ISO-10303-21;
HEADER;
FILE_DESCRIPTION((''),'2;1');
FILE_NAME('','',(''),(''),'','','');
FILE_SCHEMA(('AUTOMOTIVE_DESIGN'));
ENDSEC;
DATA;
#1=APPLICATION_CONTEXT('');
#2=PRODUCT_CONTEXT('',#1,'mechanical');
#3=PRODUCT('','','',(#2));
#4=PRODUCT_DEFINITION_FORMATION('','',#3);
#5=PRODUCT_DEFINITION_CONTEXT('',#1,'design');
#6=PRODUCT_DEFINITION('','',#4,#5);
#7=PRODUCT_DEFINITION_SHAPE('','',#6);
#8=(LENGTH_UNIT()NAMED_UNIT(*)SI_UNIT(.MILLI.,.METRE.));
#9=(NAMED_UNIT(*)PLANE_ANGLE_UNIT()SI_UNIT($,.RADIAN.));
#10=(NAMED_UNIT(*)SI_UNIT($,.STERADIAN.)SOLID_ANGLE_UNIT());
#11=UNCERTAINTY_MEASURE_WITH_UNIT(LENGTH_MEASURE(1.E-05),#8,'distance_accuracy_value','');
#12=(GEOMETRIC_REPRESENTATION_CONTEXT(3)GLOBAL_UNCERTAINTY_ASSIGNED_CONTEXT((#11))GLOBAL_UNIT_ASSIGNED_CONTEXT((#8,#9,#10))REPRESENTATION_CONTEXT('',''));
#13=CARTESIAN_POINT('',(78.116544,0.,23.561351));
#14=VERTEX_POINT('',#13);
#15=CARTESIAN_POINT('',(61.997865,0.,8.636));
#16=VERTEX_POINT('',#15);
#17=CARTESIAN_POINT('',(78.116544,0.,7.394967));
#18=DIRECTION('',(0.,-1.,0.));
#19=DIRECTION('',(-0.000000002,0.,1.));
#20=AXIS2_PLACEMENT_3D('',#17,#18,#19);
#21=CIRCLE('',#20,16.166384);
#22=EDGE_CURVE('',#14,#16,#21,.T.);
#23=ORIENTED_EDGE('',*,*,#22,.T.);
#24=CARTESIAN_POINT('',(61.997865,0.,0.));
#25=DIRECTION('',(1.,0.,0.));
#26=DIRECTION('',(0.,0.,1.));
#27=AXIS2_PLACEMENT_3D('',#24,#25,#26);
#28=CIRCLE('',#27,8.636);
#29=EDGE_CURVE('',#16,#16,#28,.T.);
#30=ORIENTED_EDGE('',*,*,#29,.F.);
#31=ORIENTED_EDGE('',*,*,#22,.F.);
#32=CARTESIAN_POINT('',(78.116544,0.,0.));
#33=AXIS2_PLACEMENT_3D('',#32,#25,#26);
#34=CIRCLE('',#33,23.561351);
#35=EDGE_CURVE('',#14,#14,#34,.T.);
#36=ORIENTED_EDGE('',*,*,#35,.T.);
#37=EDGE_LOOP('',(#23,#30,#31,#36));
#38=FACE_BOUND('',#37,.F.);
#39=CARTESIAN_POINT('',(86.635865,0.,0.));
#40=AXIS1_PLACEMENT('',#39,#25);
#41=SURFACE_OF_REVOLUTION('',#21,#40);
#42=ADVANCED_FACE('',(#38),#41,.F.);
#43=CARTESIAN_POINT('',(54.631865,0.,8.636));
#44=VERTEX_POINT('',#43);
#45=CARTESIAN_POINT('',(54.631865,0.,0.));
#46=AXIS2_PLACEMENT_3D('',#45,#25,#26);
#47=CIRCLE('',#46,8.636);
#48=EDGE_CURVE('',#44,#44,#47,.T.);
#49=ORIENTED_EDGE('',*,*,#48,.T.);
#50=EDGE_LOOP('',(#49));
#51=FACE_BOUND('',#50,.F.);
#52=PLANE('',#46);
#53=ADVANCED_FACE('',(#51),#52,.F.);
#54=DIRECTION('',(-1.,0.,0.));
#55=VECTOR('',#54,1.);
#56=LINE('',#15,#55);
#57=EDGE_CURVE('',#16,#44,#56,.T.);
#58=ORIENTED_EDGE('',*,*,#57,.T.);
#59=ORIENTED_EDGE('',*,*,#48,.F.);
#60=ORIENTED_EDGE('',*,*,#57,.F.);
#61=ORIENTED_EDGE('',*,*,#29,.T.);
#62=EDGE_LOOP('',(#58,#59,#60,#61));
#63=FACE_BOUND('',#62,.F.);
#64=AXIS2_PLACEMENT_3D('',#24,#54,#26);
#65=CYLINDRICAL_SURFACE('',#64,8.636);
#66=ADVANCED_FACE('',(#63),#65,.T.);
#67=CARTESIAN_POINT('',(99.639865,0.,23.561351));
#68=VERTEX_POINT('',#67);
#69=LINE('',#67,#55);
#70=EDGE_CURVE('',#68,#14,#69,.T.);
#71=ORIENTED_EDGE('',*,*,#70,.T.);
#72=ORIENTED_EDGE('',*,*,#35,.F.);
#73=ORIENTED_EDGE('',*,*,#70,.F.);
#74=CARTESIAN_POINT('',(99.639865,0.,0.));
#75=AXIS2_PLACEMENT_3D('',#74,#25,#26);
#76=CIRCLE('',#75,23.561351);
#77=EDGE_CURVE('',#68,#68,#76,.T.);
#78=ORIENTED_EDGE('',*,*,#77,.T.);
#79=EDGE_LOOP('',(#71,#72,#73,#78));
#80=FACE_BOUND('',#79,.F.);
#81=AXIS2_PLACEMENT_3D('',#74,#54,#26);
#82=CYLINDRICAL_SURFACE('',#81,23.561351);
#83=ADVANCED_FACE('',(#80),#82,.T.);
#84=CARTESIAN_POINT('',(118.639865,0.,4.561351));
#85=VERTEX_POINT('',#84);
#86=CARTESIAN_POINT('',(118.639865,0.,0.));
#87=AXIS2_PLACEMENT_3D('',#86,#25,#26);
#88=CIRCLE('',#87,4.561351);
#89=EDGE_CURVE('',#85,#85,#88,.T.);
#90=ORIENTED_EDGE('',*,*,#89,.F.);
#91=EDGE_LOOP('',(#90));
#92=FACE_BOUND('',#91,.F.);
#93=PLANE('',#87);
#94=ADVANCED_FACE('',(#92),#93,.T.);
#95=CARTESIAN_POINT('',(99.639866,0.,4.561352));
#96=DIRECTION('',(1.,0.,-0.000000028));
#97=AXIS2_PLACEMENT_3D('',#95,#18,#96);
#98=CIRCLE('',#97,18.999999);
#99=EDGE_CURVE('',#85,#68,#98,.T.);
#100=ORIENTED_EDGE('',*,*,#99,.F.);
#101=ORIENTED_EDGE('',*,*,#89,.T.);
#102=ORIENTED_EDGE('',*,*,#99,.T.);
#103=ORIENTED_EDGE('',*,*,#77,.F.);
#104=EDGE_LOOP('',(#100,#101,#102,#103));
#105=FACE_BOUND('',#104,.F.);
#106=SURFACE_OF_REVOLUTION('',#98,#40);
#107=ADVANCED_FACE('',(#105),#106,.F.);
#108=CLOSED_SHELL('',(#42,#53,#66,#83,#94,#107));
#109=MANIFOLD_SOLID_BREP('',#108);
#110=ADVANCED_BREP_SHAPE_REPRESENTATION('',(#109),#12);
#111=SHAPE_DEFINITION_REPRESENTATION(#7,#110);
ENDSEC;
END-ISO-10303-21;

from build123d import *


with BuildPart() as f1:
    # F0 (on Front) → F1 (revolve)
    with BuildSketch(Plane.XZ):
        with BuildLine():
            Line((54.631865, 8.636), (54.631865, 0))
            Line((54.631865, 0), (118.639865, 0))
            Line((118.639865, 0), (118.639865, 4.561351))
            ThreePointArc((118.639865, 4.561351), (113.074894, 17.99638), (99.639865, 23.561351))
            Line((99.639865, 23.561351), (78.116544, 23.561351))
            ThreePointArc((78.116544, 23.561351), (67.132716, 19.256986), (61.997865, 8.636))
            Line((61.997865, 8.636), (54.631865, 8.636))
        make_face()
    revolve(axis=Axis((86.635865, 0, 0), (1, 0, 0)))


solid = f1.part
